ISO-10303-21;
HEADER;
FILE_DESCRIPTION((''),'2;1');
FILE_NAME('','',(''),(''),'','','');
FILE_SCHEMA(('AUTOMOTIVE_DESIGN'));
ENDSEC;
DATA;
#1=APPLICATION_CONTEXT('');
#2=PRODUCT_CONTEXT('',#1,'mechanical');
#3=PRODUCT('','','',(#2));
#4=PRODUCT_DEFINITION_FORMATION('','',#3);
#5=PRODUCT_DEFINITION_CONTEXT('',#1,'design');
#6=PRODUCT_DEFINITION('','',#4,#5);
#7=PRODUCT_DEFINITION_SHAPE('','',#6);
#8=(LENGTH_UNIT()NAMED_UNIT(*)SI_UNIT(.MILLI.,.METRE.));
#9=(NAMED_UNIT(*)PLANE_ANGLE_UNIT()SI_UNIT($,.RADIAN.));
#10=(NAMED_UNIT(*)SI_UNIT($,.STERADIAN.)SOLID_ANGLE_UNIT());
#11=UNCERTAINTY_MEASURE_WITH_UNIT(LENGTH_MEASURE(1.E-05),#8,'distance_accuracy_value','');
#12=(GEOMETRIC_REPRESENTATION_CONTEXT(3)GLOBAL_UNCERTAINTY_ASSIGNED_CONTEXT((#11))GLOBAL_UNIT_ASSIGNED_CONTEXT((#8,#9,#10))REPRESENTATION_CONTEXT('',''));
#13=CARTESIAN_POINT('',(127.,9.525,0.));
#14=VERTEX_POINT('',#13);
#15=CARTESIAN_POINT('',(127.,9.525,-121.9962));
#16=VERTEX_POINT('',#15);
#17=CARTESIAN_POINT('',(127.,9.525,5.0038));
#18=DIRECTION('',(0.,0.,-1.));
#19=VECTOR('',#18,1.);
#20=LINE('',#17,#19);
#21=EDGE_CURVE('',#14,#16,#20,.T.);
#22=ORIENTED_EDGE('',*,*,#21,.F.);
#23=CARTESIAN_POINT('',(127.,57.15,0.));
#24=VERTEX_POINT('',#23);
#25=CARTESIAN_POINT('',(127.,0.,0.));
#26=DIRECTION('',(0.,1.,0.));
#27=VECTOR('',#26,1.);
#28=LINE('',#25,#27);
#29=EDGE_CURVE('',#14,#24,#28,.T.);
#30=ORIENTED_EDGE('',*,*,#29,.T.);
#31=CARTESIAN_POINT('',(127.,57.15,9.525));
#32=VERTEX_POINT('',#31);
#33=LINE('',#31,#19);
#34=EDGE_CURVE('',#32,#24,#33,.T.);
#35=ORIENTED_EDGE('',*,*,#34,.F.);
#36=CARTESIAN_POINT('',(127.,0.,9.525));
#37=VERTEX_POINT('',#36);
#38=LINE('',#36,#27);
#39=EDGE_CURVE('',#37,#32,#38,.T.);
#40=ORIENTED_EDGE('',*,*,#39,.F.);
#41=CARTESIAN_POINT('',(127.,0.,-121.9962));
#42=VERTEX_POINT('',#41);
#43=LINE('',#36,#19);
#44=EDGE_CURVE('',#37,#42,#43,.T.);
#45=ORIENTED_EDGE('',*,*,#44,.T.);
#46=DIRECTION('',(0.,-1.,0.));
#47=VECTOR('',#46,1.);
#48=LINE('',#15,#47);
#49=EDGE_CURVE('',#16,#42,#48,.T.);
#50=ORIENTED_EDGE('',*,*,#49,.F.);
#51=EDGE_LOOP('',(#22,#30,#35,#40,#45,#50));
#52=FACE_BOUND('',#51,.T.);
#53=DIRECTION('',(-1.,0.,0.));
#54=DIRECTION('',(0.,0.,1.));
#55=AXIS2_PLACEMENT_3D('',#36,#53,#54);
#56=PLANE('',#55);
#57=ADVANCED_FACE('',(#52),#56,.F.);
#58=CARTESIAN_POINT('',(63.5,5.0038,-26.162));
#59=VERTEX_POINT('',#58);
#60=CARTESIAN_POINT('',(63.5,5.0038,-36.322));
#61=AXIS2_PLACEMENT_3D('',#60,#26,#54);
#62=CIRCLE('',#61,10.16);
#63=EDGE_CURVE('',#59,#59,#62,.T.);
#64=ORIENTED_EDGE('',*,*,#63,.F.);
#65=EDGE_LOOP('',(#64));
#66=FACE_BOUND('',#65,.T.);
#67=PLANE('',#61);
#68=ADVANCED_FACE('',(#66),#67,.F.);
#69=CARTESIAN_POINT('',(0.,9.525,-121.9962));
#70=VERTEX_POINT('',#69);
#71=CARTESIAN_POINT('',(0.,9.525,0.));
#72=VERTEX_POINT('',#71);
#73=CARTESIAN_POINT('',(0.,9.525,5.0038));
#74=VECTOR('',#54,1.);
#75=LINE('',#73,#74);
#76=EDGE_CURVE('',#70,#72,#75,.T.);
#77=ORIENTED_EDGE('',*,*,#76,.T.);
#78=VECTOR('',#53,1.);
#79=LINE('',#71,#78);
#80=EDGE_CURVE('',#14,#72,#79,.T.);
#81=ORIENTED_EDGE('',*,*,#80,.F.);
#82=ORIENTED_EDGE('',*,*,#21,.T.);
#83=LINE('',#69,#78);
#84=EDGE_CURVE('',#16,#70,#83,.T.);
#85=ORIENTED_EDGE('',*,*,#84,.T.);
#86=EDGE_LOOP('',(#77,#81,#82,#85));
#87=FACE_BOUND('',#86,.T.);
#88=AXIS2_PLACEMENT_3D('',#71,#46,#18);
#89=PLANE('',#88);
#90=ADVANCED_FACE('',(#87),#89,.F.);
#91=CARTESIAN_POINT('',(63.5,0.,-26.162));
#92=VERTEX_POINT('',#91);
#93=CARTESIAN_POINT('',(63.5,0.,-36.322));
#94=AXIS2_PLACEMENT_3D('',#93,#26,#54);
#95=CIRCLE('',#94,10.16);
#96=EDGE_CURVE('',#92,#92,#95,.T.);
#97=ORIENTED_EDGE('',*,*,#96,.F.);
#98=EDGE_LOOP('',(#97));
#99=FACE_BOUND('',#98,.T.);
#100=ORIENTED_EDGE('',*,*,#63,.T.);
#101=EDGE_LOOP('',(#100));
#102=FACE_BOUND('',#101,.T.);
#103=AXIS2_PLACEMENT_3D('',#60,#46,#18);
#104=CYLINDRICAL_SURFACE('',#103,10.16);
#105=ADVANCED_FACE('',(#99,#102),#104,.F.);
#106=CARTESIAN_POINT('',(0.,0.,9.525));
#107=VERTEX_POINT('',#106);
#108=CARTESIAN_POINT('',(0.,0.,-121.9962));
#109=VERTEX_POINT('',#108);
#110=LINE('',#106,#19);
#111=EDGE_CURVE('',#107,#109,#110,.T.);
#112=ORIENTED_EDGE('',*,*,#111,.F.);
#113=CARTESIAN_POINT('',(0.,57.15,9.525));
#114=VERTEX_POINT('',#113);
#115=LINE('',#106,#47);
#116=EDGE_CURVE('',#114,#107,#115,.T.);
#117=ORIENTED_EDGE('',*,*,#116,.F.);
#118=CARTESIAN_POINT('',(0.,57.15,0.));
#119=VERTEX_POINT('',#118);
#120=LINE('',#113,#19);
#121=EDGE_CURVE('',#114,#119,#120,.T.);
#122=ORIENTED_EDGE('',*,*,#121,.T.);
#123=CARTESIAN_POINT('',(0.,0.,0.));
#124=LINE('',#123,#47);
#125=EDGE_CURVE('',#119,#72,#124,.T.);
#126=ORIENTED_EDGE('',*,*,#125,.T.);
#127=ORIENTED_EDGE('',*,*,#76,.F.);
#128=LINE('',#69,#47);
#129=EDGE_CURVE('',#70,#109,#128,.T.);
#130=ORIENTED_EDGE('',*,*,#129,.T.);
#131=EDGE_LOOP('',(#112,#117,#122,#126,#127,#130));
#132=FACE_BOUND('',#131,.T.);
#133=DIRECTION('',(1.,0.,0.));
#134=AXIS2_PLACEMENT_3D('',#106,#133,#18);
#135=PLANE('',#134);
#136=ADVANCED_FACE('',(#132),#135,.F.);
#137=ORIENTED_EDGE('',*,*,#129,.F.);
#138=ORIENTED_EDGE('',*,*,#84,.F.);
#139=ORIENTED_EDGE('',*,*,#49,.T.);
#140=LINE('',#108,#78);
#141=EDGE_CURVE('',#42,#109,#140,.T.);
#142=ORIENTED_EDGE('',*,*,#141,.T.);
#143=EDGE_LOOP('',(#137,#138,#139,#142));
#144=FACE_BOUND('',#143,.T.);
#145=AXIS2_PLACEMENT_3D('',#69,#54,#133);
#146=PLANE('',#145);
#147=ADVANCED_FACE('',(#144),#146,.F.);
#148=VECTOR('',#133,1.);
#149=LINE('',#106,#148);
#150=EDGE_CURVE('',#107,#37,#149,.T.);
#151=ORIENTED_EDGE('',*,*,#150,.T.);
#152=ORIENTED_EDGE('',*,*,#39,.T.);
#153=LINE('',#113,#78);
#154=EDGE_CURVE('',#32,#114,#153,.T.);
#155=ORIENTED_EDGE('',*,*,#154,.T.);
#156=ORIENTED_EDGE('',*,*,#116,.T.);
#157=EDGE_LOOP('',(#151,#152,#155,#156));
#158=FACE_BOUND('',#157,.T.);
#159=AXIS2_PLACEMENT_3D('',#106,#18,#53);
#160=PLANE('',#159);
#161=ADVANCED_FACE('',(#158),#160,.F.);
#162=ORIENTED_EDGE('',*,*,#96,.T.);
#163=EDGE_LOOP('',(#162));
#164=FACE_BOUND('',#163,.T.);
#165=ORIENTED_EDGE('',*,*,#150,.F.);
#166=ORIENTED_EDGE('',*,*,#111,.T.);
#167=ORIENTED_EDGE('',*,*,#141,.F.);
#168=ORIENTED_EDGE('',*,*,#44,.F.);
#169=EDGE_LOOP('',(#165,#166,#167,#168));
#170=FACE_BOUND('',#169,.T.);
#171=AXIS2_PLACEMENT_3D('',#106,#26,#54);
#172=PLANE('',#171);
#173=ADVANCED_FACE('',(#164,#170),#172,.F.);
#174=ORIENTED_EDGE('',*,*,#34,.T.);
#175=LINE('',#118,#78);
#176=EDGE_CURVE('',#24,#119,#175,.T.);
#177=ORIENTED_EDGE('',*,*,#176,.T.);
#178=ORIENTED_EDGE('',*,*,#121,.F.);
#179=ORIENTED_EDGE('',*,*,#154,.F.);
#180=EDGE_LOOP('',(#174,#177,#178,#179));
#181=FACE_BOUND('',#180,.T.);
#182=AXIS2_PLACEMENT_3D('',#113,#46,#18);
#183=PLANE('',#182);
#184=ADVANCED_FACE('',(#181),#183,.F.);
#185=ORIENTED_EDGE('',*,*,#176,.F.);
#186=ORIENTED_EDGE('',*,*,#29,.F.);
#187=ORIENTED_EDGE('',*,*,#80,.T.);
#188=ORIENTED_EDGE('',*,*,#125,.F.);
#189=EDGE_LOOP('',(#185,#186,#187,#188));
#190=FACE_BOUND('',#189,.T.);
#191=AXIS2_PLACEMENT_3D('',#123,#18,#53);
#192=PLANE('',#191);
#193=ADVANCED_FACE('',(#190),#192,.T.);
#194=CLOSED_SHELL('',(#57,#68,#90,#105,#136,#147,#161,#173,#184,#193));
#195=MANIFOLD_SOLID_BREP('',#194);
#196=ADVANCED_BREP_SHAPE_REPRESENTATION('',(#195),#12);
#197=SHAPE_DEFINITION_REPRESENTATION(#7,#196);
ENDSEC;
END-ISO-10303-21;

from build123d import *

# Parameters (mm, degrees)
SKETCH1_W           = 127
SKETCH1_H           = 57.15
BOSS_EXTRUDE1_DEPTH = 9.525
SKETCH2_W           = 127
SKETCH2_H           = 127
BOSS_EXTRUDE3_DEPTH = 9.525
SKETCH3_R           = 10.16
CUT_EXTRUDE1_DEPTH  = 5.0038


with BuildPart() as part:
    # Sketch1 → Boss-Extrude1 (new body)
    with BuildSketch(Plane.XY):
        with Locations((63.5, 28.575)):
            Rectangle(SKETCH1_W, SKETCH1_H)
    extrude(amount=BOSS_EXTRUDE1_DEPTH)

    # Sketch2 → Boss-Extrude3 (add)
    with BuildSketch(Plane(origin=(0, 0, 0), x_dir=(1, 0, 0), z_dir=(0, 1, 0))):
        with Locations((63.5, 58.4962)):
            Rectangle(SKETCH2_W, SKETCH2_H)
    extrude(amount=BOSS_EXTRUDE3_DEPTH)

    # Sketch3 → Cut-Extrude1 (cut)
    with BuildSketch(Plane(origin=(0, 0, 0), x_dir=(1, 0, 0), z_dir=(0, 1, 0))):
        with Locations((63.5, 36.322)):
            Circle(SKETCH3_R)
    extrude(amount=CUT_EXTRUDE1_DEPTH, mode=Mode.SUBTRACT)


solid = part.part
